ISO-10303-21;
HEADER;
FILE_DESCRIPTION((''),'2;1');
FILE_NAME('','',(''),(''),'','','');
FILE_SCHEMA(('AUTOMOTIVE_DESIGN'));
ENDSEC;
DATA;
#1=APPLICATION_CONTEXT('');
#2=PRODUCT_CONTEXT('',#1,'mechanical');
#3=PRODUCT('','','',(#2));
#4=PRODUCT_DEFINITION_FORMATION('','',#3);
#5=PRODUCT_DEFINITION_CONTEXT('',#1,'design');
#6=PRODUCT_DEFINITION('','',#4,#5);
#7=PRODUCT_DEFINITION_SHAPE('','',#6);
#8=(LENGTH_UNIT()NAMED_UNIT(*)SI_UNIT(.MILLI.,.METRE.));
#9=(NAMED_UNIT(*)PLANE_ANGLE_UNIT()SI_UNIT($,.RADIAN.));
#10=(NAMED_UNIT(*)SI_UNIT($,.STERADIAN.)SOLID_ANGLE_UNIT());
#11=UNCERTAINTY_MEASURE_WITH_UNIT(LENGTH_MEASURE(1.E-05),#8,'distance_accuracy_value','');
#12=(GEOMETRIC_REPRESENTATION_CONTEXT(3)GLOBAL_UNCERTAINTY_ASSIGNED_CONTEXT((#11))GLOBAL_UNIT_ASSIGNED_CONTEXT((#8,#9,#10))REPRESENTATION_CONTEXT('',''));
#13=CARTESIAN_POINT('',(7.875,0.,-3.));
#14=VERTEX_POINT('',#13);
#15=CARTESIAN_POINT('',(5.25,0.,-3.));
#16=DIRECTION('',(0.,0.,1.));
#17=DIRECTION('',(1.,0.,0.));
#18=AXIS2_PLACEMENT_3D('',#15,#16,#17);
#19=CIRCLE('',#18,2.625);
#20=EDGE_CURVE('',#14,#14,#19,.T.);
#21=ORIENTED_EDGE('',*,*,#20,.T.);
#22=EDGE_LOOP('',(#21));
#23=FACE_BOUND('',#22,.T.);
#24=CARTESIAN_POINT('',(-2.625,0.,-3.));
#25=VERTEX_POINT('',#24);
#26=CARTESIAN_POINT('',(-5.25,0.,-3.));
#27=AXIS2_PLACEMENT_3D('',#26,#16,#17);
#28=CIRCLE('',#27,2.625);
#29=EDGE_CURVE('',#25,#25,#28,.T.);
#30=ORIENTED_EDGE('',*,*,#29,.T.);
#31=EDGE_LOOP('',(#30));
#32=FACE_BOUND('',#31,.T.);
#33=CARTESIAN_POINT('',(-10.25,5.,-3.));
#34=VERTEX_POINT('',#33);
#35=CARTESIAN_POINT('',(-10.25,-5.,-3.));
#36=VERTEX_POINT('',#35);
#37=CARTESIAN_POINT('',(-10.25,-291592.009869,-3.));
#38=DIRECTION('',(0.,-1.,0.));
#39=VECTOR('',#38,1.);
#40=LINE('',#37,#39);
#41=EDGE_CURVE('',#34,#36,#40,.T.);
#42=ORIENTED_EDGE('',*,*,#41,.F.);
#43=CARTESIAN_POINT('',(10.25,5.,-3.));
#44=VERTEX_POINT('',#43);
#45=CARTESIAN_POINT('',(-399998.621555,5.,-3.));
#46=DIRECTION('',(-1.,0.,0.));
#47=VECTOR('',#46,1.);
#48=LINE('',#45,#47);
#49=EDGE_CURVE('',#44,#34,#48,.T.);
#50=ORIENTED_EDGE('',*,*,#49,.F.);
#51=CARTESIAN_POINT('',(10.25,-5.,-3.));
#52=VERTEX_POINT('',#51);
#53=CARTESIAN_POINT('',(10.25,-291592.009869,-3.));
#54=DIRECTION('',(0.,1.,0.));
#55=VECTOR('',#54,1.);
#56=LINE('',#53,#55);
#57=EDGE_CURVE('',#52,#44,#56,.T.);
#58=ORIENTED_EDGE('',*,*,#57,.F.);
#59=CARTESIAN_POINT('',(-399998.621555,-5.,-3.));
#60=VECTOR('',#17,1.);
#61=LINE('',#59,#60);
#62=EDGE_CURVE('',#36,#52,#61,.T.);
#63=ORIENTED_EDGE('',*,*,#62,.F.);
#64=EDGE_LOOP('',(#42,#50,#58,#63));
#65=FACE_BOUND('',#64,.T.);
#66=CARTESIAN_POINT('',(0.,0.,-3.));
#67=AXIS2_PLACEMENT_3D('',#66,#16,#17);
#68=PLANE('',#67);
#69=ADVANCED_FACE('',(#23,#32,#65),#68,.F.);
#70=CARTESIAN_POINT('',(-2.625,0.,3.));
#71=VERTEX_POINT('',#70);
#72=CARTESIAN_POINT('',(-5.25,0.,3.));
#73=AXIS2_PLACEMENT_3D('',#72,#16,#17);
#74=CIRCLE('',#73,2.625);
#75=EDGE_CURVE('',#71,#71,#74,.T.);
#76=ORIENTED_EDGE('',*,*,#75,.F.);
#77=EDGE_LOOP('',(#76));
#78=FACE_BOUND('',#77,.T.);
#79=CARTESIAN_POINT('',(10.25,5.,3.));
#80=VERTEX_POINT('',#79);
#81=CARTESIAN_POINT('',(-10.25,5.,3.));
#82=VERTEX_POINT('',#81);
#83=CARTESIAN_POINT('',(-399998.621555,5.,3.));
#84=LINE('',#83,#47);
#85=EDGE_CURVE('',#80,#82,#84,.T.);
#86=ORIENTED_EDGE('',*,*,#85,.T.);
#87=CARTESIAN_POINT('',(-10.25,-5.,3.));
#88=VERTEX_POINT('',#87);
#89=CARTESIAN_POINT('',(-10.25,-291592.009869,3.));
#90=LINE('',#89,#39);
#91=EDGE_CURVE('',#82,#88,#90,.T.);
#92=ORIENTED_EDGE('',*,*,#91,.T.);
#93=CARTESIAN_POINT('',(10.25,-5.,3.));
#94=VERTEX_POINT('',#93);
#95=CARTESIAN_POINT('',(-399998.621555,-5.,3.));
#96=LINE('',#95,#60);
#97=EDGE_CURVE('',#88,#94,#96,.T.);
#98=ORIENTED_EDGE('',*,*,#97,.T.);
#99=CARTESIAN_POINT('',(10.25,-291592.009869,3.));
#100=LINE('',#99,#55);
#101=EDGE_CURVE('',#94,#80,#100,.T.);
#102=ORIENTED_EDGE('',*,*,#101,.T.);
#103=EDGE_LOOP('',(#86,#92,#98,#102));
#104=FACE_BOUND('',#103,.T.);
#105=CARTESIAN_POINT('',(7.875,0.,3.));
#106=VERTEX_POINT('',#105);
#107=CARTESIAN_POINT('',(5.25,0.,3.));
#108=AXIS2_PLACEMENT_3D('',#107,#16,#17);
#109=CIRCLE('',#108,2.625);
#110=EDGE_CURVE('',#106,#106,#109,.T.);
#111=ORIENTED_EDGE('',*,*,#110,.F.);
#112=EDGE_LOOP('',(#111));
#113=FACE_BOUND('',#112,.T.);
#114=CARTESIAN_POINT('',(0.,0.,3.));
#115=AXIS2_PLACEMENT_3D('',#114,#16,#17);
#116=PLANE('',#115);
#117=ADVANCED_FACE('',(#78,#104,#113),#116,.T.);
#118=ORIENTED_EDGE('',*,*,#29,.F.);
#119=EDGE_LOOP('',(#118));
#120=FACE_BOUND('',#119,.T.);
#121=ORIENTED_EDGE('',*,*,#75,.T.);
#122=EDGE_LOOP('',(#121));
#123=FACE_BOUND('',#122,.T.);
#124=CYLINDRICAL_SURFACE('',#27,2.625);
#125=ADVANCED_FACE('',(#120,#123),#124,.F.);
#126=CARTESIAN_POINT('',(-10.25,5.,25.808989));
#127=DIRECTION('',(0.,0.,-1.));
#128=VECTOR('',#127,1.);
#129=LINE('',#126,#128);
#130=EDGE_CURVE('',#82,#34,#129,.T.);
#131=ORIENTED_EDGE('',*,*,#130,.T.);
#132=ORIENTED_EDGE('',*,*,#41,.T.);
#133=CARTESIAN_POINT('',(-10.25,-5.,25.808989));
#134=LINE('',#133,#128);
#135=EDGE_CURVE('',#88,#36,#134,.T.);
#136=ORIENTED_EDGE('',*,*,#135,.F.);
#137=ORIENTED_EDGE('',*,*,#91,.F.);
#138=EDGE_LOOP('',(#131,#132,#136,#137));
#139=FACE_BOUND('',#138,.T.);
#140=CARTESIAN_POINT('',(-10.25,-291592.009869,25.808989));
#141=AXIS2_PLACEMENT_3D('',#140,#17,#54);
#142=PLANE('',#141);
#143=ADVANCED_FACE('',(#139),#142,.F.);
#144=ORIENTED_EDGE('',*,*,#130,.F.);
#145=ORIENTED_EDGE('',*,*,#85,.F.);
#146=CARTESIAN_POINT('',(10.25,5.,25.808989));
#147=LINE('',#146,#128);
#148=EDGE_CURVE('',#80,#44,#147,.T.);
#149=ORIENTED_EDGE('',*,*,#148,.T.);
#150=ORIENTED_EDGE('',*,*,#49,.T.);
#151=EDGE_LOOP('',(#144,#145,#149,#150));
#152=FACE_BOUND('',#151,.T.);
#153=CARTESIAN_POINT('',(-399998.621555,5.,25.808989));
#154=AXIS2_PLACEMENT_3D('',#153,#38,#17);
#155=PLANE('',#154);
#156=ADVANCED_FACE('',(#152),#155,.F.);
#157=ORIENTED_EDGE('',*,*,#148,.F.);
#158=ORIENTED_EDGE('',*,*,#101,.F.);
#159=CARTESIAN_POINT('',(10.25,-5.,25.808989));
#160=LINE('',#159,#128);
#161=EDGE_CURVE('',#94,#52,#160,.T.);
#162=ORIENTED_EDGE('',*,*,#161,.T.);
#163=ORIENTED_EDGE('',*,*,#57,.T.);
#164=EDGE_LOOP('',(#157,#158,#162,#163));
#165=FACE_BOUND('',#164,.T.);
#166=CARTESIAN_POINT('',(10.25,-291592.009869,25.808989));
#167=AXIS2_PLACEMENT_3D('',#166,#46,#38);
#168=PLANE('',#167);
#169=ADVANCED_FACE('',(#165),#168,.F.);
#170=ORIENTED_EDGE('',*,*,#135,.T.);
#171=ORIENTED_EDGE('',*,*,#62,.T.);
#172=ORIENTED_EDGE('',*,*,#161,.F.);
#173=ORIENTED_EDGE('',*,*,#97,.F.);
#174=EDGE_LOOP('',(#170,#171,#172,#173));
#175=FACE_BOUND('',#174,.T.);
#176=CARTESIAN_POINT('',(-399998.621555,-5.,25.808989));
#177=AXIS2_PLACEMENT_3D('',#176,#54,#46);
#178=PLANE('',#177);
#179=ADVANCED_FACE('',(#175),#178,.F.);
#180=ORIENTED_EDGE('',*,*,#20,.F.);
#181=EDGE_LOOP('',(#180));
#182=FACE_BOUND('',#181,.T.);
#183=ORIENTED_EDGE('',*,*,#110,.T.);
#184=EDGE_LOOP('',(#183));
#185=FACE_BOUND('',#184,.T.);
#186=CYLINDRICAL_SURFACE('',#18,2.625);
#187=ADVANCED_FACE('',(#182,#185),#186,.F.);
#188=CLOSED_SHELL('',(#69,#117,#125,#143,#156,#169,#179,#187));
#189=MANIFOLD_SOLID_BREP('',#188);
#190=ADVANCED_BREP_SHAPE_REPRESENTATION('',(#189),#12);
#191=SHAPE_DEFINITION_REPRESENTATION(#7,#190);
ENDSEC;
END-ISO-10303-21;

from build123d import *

# Parameters (mm, degrees)
MAINBODY_EXTRUDE_START                 = -3
PROJECTIONXY_SKETCH_W                  = 20.5
PROJECTIONXY_SKETCH_H                  = 10
MAINBODY_EXTRUDE_DEPTH                 = 6
VISESCREWCLEARANCEHOLES_CUT_DEPTH      = 12.792476415
VISESCREWCLEARANCEHOLES_CUT_DEPTH_BACK = 12.792476415
VISESCREWCLEARANCEHOLES_SKETCH_R       = 2.625


with BuildPart() as part:
    # projectionXy_sketch → mainBody_extrude (new body)
    with BuildSketch(Plane.XY.offset(MAINBODY_EXTRUDE_START)):
        Rectangle(PROJECTIONXY_SKETCH_W, PROJECTIONXY_SKETCH_H)
    extrude(amount=MAINBODY_EXTRUDE_DEPTH)

    # viseScrewClearanceHoles_sketch → viseScrewClearanceHoles_cut (cut, two sides: drawn at the far end of the back side and taken through both)
    with BuildSketch(Plane.XY.offset(-VISESCREWCLEARANCEHOLES_CUT_DEPTH_BACK)):
        with Locations((-5.25, 0)):
            Circle(VISESCREWCLEARANCEHOLES_SKETCH_R)
        with Locations((5.25, 0)):
            Circle(VISESCREWCLEARANCEHOLES_SKETCH_R)
    extrude(amount=VISESCREWCLEARANCEHOLES_CUT_DEPTH + VISESCREWCLEARANCEHOLES_CUT_DEPTH_BACK, mode=Mode.SUBTRACT)


solid = part.part
